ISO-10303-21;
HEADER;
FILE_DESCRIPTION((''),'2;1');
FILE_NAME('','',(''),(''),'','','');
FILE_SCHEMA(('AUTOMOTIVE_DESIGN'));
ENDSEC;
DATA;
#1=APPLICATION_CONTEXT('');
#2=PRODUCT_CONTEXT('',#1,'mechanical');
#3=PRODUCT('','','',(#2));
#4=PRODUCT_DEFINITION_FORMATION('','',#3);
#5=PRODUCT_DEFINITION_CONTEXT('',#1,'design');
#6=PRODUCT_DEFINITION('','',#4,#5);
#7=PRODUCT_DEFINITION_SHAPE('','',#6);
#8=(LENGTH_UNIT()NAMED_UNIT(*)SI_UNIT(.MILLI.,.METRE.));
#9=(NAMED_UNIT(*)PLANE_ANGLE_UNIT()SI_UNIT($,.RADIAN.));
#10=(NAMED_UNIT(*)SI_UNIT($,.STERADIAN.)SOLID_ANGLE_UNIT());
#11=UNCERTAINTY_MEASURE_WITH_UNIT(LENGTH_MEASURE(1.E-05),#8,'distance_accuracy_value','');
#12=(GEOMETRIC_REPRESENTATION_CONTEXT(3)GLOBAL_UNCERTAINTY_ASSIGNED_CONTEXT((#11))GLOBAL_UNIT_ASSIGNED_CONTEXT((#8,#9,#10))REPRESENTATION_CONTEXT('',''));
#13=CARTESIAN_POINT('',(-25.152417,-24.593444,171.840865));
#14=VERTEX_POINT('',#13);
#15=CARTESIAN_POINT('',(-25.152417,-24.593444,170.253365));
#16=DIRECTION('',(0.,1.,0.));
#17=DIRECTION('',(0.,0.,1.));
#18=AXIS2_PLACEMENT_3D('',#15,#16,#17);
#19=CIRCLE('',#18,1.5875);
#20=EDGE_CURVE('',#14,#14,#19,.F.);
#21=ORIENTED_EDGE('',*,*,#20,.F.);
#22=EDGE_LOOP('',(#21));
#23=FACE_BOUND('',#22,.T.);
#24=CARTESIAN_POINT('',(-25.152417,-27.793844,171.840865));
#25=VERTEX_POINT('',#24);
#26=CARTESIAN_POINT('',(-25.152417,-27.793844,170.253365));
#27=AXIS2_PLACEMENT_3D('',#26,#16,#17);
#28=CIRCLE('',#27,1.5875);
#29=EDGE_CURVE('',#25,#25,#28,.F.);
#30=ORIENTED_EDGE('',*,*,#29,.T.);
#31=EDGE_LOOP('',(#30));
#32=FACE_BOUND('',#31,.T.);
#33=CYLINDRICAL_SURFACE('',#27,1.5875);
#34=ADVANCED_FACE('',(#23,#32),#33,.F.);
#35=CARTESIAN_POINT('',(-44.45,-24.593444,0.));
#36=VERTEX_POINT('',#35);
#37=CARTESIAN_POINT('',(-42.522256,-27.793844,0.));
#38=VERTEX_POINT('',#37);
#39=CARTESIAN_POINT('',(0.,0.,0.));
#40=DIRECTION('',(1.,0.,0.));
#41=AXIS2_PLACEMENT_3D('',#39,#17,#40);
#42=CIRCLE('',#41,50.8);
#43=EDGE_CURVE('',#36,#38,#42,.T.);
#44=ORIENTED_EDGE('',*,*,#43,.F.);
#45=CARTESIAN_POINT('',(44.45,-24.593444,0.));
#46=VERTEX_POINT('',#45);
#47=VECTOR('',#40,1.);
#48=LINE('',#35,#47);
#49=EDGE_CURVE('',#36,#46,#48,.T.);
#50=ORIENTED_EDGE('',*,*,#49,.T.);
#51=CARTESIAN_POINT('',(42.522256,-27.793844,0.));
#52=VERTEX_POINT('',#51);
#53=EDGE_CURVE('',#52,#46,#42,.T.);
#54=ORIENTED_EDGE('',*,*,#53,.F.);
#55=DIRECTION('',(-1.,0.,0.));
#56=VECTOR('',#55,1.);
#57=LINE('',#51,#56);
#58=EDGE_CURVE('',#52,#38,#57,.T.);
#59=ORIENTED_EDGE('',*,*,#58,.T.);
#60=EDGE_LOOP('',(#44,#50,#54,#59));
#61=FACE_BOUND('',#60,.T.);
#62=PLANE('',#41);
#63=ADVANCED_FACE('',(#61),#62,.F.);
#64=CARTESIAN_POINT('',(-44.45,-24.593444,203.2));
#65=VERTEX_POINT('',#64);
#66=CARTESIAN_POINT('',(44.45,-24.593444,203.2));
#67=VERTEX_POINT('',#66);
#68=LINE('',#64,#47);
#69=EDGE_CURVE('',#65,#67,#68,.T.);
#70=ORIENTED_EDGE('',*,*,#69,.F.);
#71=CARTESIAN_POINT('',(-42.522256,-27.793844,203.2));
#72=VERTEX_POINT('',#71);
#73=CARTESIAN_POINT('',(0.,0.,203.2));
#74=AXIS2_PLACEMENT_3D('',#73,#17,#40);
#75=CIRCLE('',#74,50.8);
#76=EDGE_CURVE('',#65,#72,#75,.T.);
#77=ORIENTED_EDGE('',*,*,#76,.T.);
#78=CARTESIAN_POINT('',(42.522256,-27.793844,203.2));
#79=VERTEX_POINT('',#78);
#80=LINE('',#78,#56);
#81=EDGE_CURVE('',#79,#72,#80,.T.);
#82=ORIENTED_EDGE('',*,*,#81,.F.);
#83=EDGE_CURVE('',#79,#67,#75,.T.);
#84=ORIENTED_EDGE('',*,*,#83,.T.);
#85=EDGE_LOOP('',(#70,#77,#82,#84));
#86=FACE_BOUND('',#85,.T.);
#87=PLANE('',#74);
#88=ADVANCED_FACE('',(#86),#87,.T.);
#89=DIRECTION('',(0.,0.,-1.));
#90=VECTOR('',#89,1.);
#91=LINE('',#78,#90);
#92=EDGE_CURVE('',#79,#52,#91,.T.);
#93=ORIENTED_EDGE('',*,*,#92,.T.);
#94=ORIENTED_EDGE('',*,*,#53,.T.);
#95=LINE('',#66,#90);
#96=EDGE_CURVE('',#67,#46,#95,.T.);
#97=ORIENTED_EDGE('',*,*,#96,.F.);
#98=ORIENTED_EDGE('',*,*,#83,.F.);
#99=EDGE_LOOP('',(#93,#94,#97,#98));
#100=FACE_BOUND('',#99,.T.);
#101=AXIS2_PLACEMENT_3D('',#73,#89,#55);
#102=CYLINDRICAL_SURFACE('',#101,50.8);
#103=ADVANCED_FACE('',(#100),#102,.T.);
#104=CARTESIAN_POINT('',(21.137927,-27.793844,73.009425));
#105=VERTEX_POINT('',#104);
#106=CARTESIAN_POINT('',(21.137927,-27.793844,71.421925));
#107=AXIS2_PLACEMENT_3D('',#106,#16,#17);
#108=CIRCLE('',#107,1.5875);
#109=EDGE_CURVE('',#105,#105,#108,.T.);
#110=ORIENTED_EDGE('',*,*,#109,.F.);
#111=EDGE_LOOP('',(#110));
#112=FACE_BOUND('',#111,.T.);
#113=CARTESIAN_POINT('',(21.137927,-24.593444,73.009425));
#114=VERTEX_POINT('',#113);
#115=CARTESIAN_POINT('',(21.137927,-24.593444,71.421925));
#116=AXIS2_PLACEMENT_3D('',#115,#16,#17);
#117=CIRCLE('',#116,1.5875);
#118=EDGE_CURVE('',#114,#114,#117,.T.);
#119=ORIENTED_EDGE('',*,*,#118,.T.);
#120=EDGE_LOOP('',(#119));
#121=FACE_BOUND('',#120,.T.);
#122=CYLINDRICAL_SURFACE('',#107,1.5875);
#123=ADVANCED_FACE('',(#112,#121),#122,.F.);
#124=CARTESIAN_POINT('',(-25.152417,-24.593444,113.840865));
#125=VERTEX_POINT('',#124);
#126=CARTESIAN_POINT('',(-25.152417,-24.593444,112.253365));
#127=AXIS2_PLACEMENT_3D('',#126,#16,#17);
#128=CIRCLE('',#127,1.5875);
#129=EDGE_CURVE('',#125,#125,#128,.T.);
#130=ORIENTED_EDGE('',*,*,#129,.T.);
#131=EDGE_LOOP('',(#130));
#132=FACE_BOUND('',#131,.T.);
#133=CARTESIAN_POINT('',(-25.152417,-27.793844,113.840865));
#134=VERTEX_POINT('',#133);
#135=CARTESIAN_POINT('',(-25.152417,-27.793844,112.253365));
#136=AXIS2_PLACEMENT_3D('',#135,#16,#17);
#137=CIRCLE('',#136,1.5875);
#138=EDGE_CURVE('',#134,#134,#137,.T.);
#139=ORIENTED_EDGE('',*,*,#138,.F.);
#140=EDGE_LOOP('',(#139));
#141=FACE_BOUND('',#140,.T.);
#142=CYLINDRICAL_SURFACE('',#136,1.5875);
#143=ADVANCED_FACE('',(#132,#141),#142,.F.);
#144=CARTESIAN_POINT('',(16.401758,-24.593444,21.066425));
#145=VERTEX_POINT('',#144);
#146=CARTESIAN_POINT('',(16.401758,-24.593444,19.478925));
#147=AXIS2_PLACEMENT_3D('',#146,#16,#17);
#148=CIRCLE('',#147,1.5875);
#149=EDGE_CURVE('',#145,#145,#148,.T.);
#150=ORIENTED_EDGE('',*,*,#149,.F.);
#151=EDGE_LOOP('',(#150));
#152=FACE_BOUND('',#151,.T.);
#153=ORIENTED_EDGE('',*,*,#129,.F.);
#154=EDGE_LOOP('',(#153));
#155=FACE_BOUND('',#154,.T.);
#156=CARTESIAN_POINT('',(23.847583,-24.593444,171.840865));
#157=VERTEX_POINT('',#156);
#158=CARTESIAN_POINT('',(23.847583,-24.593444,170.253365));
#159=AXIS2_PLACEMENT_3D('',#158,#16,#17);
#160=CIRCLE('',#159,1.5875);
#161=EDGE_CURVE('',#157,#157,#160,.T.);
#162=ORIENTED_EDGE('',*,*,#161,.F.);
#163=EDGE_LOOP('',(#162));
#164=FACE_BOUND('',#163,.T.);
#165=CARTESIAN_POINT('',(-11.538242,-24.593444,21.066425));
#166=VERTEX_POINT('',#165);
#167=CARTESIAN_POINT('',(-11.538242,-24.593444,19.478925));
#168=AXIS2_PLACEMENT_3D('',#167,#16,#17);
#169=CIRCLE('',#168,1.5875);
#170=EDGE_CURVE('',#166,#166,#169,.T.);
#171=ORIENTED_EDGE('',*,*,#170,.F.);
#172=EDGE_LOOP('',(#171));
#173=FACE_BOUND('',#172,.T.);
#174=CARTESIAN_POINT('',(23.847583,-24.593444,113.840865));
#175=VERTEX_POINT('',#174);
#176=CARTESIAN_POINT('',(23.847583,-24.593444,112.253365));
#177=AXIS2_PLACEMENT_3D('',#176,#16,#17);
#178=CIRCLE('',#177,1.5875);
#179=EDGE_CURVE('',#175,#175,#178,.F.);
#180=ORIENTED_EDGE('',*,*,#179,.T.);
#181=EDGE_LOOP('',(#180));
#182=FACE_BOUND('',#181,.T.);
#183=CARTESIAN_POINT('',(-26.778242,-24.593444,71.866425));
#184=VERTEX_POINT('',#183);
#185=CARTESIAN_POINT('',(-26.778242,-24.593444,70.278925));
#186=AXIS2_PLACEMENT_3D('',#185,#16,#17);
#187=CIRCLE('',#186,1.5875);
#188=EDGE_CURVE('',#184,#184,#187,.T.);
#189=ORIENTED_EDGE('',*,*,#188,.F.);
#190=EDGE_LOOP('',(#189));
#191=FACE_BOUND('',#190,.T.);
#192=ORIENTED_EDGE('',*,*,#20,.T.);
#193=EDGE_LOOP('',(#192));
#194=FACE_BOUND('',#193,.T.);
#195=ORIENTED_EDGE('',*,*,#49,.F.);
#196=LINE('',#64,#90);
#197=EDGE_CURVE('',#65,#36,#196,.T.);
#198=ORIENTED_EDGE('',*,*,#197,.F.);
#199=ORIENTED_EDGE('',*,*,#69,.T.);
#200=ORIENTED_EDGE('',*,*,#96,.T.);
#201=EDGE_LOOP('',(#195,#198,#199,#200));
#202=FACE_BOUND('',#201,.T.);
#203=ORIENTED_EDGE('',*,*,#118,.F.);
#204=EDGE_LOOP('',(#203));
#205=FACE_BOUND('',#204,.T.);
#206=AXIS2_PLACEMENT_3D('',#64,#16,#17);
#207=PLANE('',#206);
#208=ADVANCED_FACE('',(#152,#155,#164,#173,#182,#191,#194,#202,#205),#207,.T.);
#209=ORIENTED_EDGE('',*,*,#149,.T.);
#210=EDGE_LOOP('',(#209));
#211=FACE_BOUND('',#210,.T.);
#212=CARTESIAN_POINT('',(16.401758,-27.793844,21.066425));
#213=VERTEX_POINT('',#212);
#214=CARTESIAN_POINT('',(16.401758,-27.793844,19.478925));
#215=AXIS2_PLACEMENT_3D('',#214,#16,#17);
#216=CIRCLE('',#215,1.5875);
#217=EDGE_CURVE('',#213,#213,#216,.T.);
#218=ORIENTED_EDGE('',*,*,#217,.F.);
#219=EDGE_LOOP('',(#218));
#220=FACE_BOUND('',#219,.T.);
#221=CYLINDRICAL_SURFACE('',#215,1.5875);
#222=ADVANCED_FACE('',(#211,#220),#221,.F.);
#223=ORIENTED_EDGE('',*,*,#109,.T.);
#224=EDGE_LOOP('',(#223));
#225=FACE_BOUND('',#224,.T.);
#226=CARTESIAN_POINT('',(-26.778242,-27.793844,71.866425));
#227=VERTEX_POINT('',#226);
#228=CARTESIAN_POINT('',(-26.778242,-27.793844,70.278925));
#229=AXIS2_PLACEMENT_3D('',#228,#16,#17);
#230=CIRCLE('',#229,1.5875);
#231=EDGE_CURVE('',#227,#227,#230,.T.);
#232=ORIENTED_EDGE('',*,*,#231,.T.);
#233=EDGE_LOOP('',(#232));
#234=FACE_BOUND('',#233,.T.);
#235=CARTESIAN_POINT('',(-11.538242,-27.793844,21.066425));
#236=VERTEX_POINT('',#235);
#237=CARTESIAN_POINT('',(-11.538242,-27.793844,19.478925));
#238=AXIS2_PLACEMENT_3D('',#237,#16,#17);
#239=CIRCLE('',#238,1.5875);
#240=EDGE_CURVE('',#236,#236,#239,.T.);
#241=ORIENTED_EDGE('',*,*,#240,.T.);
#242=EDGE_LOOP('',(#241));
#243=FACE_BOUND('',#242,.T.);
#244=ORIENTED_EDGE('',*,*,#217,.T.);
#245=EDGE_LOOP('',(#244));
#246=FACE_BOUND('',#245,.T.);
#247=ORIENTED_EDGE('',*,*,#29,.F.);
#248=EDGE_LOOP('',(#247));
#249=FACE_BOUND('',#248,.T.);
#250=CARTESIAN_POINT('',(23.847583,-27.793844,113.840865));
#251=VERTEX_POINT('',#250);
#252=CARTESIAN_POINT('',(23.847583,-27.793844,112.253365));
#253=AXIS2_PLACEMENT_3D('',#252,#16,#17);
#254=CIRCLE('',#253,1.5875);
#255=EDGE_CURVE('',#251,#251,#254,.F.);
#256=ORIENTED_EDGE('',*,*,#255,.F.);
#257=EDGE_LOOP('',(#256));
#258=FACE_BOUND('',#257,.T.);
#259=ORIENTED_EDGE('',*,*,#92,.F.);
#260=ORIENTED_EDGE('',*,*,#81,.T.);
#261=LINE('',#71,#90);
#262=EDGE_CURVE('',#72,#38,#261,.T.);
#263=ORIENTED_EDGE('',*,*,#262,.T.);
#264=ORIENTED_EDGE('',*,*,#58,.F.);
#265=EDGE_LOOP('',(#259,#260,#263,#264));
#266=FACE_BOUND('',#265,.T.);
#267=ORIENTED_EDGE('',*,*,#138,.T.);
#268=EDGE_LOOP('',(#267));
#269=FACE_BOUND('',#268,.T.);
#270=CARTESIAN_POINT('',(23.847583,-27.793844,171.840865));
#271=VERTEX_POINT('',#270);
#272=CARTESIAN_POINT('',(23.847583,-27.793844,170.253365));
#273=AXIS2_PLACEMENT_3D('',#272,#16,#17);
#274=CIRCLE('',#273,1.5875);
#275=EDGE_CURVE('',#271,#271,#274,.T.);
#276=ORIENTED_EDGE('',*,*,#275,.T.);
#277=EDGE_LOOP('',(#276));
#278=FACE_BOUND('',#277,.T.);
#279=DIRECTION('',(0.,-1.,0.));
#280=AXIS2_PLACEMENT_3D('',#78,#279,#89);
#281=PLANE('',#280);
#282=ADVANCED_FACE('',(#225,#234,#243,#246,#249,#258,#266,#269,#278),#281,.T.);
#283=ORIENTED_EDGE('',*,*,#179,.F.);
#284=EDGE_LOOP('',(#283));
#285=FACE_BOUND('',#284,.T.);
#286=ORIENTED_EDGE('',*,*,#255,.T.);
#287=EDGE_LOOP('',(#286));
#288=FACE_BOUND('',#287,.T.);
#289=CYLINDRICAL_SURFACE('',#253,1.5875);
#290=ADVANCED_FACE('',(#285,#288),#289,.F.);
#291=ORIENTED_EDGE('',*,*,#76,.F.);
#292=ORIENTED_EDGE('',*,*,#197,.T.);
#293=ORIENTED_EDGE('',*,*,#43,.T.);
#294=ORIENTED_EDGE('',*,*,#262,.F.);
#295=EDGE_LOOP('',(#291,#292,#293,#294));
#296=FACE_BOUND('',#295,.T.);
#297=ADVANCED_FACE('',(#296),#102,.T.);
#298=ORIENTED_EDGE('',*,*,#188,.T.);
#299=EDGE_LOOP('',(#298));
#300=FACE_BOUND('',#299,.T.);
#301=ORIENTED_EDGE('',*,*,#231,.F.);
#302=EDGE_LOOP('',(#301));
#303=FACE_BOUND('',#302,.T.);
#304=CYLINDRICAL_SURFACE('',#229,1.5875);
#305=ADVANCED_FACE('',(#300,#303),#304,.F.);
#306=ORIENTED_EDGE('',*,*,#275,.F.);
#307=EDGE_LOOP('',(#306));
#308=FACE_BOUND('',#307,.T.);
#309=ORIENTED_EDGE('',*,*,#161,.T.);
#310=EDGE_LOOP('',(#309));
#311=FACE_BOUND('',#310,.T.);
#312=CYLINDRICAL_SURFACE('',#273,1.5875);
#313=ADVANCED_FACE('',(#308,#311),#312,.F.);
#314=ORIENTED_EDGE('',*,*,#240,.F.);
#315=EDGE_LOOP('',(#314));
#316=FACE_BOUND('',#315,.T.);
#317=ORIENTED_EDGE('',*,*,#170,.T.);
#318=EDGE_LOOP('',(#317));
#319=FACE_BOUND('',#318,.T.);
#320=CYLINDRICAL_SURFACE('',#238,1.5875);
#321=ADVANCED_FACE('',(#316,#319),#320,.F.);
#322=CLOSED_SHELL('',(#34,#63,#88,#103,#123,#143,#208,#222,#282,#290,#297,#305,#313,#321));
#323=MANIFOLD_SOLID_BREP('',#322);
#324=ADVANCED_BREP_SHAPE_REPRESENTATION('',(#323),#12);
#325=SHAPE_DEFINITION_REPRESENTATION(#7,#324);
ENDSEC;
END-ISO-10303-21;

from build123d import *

# Parameters (mm, degrees)
BOSS_EXTRUDE1_DEPTH = 203.2
SKETCH3_R           = 1.5875
CUT_EXTRUDE1_DEPTH  = 209.029529299
SKETCH4_R           = 1.5875
CUT_EXTRUDE2_DEPTH  = 209.029529299


with BuildPart() as part:
    # Sketch2 → Boss-Extrude1 (new body)
    with BuildSketch(Plane.XY):
        with BuildLine():
            Line((-44.45, -24.593444248), (44.45, -24.593444248))
            ThreePointArc((44.45, -24.593444248), (43.515559877, -26.211372506), (42.522255607, -27.793844248))
            Line((42.522255607, -27.793844248), (-42.522255607, -27.793844248))
            ThreePointArc((-42.522255607, -27.793844248), (-43.515559877, -26.211372506), (-44.45, -24.593444248))
        make_face()
    extrude(amount=BOSS_EXTRUDE1_DEPTH)

    # Sketch3 → Cut-Extrude1 (cut, through all)
    with BuildSketch(Plane(origin=(0, -24.593444248, 0), x_dir=(1, 0, 0), z_dir=(0, 1, 0))):
        with Locations(Location((16.401757706, -19.478925293, 0), (0, 0, 270))):
            Circle(SKETCH3_R)
        with Locations(Location((-26.778242294, -70.278925293, 0), (0, 0, 270))):
            Circle(SKETCH3_R)
        with Locations(Location((21.137926992, -71.421925293, 0), (0, 0, 270))):
            Circle(SKETCH3_R)
        with Locations(Location((-11.538242294, -19.478925293, 0), (0, 0, 270))):
            Circle(SKETCH3_R)
    extrude(amount=-CUT_EXTRUDE1_DEPTH, mode=Mode.SUBTRACT)

    # Sketch4 → Cut-Extrude2 (cut, through all)
    with BuildSketch(Plane(origin=(0, -24.593444248, 0), x_dir=(1, 0, 0), z_dir=(0, 1, 0))):
        with Locations(Location((-25.152417206, -170.253365494, 0), (0, 0, 270))):
            Circle(SKETCH4_R)
        with Locations(Location((23.847582794, -170.253365494, 0), (0, 0, 270))):
            Circle(SKETCH4_R)
        with Locations(Location((23.847582794, -112.253365494, 0), (0, 0, 270))):
            Circle(SKETCH4_R)
        with Locations(Location((-25.152417206, -112.253365494, 0), (0, 0, 270))):
            Circle(SKETCH4_R)
    extrude(amount=-CUT_EXTRUDE2_DEPTH, mode=Mode.SUBTRACT)


solid = part.part
